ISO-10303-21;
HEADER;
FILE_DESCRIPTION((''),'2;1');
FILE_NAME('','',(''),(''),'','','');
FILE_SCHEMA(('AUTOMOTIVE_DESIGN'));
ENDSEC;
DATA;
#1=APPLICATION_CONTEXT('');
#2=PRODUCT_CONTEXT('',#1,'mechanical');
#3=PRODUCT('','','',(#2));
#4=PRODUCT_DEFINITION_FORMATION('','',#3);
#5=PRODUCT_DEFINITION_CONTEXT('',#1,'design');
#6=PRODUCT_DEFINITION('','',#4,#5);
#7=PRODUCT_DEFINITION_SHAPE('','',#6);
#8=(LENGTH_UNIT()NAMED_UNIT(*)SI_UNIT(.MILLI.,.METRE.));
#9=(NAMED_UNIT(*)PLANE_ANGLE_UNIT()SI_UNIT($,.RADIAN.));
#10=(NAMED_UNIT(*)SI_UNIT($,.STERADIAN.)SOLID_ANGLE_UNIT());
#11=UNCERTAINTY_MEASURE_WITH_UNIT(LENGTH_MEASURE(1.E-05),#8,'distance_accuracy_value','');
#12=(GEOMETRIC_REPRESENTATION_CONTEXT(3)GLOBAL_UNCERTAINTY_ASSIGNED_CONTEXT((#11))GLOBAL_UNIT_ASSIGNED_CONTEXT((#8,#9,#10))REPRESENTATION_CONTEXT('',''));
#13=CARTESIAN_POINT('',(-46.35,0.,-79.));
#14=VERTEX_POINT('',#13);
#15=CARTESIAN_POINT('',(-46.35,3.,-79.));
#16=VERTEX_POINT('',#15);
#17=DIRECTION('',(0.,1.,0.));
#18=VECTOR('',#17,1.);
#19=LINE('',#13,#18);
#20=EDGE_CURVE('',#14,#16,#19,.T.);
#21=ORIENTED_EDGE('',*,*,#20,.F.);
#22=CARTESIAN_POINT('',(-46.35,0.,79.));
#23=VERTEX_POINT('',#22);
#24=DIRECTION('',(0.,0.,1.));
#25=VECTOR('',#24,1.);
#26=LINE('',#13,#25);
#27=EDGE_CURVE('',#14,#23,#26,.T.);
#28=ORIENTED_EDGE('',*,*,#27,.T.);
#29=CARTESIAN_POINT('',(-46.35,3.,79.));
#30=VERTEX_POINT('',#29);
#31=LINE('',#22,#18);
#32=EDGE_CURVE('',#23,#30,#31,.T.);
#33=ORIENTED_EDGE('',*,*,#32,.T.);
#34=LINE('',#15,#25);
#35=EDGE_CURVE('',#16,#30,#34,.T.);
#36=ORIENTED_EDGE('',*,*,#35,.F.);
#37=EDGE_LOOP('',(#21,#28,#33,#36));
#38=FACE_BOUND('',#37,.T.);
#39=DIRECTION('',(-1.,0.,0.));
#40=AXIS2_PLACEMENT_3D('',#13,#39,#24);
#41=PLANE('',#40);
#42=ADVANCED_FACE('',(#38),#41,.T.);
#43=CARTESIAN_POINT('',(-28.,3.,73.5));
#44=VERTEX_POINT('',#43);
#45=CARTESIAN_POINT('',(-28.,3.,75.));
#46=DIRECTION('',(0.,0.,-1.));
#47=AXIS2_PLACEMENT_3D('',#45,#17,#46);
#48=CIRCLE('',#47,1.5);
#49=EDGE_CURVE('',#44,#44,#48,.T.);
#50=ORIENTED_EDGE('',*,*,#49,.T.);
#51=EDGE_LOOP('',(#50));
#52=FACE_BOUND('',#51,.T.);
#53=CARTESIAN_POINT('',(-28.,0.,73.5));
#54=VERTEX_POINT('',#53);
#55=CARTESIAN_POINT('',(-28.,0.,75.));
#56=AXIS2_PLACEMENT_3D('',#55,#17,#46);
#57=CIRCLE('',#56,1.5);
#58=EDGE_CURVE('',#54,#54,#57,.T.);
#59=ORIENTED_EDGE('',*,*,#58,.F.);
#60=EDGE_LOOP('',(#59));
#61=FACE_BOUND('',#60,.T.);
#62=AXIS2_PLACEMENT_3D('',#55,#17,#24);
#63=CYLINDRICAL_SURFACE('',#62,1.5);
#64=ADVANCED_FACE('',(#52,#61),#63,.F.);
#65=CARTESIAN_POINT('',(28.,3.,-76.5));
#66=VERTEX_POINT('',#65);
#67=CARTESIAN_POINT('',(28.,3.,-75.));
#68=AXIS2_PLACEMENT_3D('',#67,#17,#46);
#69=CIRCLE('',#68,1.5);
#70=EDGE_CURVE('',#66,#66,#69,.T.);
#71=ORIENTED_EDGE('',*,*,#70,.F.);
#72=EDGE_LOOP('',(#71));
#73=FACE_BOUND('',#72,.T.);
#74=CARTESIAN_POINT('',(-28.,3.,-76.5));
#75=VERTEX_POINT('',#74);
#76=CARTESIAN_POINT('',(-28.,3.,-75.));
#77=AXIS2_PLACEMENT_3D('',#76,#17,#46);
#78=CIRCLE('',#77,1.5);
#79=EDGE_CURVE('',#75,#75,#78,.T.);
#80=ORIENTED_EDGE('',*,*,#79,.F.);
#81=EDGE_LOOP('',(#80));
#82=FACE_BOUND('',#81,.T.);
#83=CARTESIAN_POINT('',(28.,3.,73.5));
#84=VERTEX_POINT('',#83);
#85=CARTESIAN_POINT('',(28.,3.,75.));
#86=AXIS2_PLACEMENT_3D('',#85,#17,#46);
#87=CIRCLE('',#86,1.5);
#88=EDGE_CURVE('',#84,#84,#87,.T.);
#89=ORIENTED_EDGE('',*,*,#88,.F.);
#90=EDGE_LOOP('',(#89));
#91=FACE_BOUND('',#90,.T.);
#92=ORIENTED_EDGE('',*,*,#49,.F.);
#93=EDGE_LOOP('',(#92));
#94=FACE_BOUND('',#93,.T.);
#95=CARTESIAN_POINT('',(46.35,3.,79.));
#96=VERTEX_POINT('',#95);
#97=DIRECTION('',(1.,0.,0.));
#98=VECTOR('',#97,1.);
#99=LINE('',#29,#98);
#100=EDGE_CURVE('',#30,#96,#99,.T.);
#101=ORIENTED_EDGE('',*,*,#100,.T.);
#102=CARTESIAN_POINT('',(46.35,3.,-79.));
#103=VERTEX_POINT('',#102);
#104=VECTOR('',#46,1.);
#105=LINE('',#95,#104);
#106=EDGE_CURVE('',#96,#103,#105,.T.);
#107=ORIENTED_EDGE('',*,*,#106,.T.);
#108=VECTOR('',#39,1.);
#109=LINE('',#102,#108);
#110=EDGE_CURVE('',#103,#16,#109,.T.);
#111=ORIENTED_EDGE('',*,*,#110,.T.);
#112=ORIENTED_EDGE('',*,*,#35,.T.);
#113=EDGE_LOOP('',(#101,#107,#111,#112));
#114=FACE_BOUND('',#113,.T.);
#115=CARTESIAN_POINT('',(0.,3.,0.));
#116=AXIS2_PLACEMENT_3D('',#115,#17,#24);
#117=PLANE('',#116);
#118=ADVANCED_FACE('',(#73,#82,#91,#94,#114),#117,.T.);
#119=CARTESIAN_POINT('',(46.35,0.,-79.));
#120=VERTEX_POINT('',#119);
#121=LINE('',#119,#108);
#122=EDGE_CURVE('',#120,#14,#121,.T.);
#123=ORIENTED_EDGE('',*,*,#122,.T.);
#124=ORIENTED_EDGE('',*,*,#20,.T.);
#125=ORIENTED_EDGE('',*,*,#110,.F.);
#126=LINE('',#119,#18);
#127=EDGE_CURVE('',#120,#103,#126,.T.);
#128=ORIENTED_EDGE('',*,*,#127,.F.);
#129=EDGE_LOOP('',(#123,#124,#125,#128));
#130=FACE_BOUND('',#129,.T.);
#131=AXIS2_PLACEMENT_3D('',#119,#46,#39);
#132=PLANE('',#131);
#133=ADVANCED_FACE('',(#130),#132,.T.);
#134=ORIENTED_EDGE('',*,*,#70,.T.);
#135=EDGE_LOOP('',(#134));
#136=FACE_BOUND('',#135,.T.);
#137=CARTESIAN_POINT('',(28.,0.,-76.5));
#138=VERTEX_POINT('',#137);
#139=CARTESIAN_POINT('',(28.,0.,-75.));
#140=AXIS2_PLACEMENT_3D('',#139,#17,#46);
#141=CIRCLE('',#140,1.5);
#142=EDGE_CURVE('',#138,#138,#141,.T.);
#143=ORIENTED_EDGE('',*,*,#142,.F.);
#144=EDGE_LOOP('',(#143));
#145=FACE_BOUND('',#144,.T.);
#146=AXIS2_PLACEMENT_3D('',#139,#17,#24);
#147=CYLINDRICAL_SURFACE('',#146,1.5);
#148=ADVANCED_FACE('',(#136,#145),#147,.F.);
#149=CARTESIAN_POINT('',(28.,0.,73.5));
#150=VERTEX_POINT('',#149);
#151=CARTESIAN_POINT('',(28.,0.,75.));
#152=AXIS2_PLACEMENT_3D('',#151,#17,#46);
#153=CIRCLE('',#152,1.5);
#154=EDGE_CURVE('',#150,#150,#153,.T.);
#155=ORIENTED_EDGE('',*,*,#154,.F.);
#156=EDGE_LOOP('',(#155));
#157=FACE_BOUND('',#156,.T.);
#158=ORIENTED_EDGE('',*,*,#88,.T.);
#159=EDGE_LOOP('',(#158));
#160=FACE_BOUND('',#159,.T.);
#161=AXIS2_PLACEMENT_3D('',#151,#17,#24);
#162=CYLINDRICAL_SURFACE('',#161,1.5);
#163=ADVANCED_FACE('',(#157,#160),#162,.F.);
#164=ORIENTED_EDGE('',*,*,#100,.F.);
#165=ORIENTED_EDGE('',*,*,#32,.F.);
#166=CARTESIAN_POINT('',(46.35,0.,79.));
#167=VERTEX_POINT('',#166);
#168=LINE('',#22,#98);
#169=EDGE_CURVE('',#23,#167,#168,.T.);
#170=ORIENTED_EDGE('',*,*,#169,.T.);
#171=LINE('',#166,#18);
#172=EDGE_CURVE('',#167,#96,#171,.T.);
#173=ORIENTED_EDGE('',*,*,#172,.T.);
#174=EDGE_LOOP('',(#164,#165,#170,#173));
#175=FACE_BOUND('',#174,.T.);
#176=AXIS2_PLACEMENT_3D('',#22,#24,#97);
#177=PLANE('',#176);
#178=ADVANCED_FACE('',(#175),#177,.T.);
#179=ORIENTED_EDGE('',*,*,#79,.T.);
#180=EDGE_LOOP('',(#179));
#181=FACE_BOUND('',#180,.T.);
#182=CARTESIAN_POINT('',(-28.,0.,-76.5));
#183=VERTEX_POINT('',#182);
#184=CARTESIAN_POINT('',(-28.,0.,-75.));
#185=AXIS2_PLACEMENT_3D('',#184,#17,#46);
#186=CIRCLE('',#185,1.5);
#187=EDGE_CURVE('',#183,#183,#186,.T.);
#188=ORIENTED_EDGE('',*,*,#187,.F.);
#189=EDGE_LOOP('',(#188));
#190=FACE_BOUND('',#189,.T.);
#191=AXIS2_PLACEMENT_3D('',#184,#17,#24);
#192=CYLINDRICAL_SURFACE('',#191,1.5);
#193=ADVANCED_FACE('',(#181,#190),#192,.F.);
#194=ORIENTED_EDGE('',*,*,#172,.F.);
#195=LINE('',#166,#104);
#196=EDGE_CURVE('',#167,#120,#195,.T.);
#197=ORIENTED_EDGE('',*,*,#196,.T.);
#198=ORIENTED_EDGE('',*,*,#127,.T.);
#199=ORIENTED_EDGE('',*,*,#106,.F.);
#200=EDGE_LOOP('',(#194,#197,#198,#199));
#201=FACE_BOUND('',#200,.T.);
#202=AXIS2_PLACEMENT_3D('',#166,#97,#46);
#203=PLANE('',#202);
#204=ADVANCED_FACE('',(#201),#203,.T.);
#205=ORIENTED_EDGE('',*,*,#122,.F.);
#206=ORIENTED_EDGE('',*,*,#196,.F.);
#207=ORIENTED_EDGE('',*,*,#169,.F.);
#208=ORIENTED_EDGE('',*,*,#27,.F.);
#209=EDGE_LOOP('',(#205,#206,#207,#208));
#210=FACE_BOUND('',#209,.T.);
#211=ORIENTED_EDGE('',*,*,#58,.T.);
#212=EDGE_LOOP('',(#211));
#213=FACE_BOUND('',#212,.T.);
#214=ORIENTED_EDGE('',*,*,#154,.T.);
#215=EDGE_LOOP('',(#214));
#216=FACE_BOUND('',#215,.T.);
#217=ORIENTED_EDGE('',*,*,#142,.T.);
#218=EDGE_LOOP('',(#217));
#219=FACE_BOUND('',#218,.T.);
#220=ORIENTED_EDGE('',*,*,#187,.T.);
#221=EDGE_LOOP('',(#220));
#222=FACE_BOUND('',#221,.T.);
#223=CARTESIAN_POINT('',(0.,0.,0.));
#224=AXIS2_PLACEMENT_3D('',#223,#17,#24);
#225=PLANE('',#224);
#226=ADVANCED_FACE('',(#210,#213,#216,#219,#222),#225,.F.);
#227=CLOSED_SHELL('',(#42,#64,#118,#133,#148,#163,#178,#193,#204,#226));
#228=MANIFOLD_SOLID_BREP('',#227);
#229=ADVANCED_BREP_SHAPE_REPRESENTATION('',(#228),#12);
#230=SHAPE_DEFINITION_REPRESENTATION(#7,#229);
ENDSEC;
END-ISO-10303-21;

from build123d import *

# Parameters (mm, degrees)
SKETCH1_W           = 92.7
SKETCH1_H           = 158
SKETCH1_R           = 1.5
BOSS_EXTRUDE1_DEPTH = 3


with BuildPart() as part:
    # Sketch1 → Boss-Extrude1 (new body)
    with BuildSketch(Plane(origin=(0, 3, 0), x_dir=(1, 0, 0), z_dir=(0, 1, 0))):
        Rectangle(SKETCH1_W, SKETCH1_H)
        with Locations((28, -75)):
            Circle(SKETCH1_R, mode=Mode.SUBTRACT)
        with Locations((28, 75)):
            Circle(SKETCH1_R, mode=Mode.SUBTRACT)
        with Locations((-28, 75)):
            Circle(SKETCH1_R, mode=Mode.SUBTRACT)
        with Locations((-28, -75)):
            Circle(SKETCH1_R, mode=Mode.SUBTRACT)
    extrude(amount=-BOSS_EXTRUDE1_DEPTH)


solid = part.part
